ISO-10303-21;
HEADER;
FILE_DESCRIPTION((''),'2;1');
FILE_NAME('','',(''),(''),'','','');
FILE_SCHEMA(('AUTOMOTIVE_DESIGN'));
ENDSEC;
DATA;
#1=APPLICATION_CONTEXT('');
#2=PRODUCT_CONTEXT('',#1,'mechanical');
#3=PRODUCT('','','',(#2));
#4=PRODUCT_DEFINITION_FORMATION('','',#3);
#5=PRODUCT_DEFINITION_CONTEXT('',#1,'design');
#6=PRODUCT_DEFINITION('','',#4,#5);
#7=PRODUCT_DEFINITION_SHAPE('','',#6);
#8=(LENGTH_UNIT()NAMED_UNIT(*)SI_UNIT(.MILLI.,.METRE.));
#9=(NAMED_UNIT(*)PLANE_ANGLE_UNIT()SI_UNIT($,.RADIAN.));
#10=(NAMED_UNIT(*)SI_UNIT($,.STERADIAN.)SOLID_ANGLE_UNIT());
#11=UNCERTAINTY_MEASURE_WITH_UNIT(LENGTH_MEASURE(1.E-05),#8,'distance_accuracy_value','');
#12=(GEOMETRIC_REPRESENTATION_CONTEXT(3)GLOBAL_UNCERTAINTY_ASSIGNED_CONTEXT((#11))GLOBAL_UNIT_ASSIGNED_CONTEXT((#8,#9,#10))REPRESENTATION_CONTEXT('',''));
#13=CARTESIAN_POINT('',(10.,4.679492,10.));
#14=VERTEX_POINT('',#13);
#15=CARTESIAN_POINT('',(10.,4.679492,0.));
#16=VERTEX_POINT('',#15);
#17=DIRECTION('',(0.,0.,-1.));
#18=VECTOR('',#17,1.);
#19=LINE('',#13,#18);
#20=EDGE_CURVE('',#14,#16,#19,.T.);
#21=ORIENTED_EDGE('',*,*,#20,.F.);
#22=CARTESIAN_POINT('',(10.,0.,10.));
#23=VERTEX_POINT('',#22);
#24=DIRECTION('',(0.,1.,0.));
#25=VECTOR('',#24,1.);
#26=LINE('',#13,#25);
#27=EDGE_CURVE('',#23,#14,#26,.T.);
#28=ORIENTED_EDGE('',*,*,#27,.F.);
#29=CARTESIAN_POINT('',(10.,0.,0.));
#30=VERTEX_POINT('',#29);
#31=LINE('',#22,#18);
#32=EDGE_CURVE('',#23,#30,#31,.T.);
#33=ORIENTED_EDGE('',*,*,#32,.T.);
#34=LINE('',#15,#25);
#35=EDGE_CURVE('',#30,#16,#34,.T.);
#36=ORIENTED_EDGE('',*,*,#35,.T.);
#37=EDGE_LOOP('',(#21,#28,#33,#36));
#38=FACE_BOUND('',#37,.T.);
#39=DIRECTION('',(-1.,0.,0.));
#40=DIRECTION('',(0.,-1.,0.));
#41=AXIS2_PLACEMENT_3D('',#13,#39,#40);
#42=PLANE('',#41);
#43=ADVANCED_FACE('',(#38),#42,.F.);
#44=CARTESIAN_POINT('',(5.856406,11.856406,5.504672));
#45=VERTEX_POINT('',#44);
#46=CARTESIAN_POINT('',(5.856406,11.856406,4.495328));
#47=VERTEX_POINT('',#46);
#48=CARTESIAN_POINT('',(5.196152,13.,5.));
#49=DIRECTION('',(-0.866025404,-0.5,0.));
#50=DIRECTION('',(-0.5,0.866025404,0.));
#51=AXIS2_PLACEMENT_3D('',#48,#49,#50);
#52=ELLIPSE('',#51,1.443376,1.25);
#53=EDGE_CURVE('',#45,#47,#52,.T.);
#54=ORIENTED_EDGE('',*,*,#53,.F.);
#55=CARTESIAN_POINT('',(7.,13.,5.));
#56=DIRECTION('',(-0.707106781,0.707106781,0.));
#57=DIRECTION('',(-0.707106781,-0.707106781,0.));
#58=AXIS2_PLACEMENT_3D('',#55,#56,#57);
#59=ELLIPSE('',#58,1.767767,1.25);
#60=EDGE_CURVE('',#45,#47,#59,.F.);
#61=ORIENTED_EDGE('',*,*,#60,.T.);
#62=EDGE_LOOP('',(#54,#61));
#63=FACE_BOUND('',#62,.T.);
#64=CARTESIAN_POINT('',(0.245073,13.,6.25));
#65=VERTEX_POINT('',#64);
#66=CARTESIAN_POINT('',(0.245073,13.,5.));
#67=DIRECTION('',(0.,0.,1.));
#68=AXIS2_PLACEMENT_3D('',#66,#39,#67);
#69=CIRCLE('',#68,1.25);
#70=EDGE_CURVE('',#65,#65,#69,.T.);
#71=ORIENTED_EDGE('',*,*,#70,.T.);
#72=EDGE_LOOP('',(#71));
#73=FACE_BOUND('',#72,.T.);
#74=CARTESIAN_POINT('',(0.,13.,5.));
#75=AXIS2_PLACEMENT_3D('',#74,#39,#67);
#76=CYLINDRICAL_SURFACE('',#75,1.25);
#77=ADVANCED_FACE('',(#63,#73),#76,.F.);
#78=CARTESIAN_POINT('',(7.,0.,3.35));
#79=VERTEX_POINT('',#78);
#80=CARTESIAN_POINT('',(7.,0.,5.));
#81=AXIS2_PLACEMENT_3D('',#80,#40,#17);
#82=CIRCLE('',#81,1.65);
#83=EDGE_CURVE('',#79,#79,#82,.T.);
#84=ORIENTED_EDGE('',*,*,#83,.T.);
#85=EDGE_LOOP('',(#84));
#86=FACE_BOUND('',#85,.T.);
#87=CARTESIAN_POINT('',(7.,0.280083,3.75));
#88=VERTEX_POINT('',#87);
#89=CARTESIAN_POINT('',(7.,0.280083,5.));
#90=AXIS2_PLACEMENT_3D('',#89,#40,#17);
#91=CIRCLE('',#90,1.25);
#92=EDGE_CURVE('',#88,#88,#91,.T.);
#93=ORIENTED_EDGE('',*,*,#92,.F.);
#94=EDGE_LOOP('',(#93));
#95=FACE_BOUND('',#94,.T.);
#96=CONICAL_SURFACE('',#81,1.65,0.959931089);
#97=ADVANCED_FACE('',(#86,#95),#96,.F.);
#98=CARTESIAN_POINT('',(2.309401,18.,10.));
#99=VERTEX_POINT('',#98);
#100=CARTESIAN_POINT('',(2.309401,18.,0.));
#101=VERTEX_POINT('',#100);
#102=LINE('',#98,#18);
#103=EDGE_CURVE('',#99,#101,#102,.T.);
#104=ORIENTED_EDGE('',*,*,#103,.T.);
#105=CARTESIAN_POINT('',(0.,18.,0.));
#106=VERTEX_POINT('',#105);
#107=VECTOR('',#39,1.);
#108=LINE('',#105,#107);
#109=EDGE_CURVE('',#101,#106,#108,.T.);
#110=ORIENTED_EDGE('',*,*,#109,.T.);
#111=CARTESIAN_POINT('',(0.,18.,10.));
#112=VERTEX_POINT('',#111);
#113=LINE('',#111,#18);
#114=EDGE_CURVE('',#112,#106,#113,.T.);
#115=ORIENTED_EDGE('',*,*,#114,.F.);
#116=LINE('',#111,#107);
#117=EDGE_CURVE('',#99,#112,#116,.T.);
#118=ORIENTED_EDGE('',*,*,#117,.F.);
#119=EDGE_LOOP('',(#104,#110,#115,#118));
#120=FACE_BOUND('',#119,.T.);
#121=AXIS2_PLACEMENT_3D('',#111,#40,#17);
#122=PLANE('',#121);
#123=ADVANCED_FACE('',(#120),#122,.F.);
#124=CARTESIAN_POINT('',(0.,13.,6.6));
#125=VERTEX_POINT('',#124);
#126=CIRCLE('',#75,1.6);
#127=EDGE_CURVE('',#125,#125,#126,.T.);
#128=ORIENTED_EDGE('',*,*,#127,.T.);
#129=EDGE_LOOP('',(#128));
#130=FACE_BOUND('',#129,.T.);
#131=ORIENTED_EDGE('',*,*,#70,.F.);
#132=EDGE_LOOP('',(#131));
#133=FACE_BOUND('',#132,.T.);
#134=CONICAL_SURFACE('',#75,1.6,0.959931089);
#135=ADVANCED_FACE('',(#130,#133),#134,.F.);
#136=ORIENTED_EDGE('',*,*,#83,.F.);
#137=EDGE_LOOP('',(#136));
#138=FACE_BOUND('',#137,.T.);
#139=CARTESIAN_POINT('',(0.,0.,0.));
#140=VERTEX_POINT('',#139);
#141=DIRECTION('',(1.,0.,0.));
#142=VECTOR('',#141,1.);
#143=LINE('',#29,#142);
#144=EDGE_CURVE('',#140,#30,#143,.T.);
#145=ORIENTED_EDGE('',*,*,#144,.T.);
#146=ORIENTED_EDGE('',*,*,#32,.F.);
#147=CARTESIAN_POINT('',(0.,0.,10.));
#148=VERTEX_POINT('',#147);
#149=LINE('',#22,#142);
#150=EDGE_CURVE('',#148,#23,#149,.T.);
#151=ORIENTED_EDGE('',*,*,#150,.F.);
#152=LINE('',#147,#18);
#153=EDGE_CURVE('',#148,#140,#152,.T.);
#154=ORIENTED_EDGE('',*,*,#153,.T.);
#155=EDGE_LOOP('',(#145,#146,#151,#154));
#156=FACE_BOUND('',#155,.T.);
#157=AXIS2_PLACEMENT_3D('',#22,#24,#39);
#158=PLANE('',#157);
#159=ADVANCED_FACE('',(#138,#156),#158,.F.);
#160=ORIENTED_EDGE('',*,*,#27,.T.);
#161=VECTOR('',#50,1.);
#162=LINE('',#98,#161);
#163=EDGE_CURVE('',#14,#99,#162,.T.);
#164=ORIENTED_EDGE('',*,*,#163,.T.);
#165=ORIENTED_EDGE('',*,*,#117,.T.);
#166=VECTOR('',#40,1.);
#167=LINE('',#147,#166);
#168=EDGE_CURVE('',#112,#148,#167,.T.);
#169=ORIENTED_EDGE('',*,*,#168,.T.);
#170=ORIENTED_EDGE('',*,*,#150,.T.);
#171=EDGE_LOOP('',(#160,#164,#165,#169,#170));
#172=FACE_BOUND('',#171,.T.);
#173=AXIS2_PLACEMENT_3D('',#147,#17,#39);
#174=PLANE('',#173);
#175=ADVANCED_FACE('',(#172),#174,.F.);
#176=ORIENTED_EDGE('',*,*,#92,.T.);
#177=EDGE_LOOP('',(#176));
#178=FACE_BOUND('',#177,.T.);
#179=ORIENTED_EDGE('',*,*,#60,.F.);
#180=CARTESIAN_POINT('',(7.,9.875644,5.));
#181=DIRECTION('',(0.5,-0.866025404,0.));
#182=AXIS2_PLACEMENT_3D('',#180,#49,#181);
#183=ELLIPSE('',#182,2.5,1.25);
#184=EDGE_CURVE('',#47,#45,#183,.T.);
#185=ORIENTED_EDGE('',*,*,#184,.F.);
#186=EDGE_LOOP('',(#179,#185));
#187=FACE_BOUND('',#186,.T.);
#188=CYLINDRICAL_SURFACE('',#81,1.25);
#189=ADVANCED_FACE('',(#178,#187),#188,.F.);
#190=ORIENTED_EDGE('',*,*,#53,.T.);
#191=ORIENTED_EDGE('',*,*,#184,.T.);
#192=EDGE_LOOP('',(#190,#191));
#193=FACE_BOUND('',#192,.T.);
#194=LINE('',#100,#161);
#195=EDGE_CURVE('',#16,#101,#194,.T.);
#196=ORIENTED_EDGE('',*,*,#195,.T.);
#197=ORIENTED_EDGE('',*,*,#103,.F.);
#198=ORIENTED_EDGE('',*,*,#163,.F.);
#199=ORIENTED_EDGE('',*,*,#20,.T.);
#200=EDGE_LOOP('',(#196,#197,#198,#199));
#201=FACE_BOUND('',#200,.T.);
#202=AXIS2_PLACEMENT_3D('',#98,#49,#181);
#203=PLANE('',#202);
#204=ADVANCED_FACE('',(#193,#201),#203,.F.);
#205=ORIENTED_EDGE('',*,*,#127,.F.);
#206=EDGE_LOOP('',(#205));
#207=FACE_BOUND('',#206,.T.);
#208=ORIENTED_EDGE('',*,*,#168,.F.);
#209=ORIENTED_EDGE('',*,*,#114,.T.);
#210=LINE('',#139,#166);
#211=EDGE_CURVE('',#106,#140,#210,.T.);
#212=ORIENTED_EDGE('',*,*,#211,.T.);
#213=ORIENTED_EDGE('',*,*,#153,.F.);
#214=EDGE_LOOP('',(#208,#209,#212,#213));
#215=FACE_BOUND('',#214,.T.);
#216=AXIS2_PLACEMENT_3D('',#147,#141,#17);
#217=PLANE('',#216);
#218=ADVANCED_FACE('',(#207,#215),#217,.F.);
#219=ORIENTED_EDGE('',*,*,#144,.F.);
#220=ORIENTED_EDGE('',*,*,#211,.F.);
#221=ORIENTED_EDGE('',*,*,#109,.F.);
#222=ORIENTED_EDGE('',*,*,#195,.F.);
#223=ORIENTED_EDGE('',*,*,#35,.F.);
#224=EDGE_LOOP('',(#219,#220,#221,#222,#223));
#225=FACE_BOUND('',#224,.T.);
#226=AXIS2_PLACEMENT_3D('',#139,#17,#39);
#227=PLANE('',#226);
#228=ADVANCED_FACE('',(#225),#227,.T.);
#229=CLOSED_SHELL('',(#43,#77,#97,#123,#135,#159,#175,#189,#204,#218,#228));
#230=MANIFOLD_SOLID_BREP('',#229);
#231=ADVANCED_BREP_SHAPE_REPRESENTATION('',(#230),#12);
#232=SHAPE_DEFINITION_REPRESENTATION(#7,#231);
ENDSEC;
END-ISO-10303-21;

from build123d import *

# Parameters (mm, degrees)
EXTRUDE_1_DEPTH             = 10
HOLE_WIZARD_M31_D           = 2.5
HOLE_WIZARD_M31_CSINK_D     = 3.2
HOLE_WIZARD_M31_CSINK_ANGLE = 110
HOLE_WIZARD_M32_D           = 2.5
HOLE_WIZARD_M32_CSINK_D     = 3.3
HOLE_WIZARD_M32_CSINK_ANGLE = 110


with BuildPart() as part:
    # Эскиз1 → Бобышка-Вытянуть1 (new body)
    with BuildSketch(Plane.XY):
        Polygon((0, 0), (0, 18), (2.309401077, 18), (10, 4.679491924), (10, 0), align=None)
    extrude(amount=EXTRUDE_1_DEPTH)

    # Отверстие обработанное метчиком M31 (through all)
    with Locations(Plane.ZY):
        with Locations((5, 13)):
            CounterSinkHole(HOLE_WIZARD_M31_D / 2, HOLE_WIZARD_M31_CSINK_D / 2, counter_sink_angle=HOLE_WIZARD_M31_CSINK_ANGLE)

    # Отверстие обработанное метчиком M32 (through all)
    with Locations(Plane.XZ):
        with Locations((7, 5)):
            CounterSinkHole(HOLE_WIZARD_M32_D / 2, HOLE_WIZARD_M32_CSINK_D / 2, counter_sink_angle=HOLE_WIZARD_M32_CSINK_ANGLE)


solid = part.part
